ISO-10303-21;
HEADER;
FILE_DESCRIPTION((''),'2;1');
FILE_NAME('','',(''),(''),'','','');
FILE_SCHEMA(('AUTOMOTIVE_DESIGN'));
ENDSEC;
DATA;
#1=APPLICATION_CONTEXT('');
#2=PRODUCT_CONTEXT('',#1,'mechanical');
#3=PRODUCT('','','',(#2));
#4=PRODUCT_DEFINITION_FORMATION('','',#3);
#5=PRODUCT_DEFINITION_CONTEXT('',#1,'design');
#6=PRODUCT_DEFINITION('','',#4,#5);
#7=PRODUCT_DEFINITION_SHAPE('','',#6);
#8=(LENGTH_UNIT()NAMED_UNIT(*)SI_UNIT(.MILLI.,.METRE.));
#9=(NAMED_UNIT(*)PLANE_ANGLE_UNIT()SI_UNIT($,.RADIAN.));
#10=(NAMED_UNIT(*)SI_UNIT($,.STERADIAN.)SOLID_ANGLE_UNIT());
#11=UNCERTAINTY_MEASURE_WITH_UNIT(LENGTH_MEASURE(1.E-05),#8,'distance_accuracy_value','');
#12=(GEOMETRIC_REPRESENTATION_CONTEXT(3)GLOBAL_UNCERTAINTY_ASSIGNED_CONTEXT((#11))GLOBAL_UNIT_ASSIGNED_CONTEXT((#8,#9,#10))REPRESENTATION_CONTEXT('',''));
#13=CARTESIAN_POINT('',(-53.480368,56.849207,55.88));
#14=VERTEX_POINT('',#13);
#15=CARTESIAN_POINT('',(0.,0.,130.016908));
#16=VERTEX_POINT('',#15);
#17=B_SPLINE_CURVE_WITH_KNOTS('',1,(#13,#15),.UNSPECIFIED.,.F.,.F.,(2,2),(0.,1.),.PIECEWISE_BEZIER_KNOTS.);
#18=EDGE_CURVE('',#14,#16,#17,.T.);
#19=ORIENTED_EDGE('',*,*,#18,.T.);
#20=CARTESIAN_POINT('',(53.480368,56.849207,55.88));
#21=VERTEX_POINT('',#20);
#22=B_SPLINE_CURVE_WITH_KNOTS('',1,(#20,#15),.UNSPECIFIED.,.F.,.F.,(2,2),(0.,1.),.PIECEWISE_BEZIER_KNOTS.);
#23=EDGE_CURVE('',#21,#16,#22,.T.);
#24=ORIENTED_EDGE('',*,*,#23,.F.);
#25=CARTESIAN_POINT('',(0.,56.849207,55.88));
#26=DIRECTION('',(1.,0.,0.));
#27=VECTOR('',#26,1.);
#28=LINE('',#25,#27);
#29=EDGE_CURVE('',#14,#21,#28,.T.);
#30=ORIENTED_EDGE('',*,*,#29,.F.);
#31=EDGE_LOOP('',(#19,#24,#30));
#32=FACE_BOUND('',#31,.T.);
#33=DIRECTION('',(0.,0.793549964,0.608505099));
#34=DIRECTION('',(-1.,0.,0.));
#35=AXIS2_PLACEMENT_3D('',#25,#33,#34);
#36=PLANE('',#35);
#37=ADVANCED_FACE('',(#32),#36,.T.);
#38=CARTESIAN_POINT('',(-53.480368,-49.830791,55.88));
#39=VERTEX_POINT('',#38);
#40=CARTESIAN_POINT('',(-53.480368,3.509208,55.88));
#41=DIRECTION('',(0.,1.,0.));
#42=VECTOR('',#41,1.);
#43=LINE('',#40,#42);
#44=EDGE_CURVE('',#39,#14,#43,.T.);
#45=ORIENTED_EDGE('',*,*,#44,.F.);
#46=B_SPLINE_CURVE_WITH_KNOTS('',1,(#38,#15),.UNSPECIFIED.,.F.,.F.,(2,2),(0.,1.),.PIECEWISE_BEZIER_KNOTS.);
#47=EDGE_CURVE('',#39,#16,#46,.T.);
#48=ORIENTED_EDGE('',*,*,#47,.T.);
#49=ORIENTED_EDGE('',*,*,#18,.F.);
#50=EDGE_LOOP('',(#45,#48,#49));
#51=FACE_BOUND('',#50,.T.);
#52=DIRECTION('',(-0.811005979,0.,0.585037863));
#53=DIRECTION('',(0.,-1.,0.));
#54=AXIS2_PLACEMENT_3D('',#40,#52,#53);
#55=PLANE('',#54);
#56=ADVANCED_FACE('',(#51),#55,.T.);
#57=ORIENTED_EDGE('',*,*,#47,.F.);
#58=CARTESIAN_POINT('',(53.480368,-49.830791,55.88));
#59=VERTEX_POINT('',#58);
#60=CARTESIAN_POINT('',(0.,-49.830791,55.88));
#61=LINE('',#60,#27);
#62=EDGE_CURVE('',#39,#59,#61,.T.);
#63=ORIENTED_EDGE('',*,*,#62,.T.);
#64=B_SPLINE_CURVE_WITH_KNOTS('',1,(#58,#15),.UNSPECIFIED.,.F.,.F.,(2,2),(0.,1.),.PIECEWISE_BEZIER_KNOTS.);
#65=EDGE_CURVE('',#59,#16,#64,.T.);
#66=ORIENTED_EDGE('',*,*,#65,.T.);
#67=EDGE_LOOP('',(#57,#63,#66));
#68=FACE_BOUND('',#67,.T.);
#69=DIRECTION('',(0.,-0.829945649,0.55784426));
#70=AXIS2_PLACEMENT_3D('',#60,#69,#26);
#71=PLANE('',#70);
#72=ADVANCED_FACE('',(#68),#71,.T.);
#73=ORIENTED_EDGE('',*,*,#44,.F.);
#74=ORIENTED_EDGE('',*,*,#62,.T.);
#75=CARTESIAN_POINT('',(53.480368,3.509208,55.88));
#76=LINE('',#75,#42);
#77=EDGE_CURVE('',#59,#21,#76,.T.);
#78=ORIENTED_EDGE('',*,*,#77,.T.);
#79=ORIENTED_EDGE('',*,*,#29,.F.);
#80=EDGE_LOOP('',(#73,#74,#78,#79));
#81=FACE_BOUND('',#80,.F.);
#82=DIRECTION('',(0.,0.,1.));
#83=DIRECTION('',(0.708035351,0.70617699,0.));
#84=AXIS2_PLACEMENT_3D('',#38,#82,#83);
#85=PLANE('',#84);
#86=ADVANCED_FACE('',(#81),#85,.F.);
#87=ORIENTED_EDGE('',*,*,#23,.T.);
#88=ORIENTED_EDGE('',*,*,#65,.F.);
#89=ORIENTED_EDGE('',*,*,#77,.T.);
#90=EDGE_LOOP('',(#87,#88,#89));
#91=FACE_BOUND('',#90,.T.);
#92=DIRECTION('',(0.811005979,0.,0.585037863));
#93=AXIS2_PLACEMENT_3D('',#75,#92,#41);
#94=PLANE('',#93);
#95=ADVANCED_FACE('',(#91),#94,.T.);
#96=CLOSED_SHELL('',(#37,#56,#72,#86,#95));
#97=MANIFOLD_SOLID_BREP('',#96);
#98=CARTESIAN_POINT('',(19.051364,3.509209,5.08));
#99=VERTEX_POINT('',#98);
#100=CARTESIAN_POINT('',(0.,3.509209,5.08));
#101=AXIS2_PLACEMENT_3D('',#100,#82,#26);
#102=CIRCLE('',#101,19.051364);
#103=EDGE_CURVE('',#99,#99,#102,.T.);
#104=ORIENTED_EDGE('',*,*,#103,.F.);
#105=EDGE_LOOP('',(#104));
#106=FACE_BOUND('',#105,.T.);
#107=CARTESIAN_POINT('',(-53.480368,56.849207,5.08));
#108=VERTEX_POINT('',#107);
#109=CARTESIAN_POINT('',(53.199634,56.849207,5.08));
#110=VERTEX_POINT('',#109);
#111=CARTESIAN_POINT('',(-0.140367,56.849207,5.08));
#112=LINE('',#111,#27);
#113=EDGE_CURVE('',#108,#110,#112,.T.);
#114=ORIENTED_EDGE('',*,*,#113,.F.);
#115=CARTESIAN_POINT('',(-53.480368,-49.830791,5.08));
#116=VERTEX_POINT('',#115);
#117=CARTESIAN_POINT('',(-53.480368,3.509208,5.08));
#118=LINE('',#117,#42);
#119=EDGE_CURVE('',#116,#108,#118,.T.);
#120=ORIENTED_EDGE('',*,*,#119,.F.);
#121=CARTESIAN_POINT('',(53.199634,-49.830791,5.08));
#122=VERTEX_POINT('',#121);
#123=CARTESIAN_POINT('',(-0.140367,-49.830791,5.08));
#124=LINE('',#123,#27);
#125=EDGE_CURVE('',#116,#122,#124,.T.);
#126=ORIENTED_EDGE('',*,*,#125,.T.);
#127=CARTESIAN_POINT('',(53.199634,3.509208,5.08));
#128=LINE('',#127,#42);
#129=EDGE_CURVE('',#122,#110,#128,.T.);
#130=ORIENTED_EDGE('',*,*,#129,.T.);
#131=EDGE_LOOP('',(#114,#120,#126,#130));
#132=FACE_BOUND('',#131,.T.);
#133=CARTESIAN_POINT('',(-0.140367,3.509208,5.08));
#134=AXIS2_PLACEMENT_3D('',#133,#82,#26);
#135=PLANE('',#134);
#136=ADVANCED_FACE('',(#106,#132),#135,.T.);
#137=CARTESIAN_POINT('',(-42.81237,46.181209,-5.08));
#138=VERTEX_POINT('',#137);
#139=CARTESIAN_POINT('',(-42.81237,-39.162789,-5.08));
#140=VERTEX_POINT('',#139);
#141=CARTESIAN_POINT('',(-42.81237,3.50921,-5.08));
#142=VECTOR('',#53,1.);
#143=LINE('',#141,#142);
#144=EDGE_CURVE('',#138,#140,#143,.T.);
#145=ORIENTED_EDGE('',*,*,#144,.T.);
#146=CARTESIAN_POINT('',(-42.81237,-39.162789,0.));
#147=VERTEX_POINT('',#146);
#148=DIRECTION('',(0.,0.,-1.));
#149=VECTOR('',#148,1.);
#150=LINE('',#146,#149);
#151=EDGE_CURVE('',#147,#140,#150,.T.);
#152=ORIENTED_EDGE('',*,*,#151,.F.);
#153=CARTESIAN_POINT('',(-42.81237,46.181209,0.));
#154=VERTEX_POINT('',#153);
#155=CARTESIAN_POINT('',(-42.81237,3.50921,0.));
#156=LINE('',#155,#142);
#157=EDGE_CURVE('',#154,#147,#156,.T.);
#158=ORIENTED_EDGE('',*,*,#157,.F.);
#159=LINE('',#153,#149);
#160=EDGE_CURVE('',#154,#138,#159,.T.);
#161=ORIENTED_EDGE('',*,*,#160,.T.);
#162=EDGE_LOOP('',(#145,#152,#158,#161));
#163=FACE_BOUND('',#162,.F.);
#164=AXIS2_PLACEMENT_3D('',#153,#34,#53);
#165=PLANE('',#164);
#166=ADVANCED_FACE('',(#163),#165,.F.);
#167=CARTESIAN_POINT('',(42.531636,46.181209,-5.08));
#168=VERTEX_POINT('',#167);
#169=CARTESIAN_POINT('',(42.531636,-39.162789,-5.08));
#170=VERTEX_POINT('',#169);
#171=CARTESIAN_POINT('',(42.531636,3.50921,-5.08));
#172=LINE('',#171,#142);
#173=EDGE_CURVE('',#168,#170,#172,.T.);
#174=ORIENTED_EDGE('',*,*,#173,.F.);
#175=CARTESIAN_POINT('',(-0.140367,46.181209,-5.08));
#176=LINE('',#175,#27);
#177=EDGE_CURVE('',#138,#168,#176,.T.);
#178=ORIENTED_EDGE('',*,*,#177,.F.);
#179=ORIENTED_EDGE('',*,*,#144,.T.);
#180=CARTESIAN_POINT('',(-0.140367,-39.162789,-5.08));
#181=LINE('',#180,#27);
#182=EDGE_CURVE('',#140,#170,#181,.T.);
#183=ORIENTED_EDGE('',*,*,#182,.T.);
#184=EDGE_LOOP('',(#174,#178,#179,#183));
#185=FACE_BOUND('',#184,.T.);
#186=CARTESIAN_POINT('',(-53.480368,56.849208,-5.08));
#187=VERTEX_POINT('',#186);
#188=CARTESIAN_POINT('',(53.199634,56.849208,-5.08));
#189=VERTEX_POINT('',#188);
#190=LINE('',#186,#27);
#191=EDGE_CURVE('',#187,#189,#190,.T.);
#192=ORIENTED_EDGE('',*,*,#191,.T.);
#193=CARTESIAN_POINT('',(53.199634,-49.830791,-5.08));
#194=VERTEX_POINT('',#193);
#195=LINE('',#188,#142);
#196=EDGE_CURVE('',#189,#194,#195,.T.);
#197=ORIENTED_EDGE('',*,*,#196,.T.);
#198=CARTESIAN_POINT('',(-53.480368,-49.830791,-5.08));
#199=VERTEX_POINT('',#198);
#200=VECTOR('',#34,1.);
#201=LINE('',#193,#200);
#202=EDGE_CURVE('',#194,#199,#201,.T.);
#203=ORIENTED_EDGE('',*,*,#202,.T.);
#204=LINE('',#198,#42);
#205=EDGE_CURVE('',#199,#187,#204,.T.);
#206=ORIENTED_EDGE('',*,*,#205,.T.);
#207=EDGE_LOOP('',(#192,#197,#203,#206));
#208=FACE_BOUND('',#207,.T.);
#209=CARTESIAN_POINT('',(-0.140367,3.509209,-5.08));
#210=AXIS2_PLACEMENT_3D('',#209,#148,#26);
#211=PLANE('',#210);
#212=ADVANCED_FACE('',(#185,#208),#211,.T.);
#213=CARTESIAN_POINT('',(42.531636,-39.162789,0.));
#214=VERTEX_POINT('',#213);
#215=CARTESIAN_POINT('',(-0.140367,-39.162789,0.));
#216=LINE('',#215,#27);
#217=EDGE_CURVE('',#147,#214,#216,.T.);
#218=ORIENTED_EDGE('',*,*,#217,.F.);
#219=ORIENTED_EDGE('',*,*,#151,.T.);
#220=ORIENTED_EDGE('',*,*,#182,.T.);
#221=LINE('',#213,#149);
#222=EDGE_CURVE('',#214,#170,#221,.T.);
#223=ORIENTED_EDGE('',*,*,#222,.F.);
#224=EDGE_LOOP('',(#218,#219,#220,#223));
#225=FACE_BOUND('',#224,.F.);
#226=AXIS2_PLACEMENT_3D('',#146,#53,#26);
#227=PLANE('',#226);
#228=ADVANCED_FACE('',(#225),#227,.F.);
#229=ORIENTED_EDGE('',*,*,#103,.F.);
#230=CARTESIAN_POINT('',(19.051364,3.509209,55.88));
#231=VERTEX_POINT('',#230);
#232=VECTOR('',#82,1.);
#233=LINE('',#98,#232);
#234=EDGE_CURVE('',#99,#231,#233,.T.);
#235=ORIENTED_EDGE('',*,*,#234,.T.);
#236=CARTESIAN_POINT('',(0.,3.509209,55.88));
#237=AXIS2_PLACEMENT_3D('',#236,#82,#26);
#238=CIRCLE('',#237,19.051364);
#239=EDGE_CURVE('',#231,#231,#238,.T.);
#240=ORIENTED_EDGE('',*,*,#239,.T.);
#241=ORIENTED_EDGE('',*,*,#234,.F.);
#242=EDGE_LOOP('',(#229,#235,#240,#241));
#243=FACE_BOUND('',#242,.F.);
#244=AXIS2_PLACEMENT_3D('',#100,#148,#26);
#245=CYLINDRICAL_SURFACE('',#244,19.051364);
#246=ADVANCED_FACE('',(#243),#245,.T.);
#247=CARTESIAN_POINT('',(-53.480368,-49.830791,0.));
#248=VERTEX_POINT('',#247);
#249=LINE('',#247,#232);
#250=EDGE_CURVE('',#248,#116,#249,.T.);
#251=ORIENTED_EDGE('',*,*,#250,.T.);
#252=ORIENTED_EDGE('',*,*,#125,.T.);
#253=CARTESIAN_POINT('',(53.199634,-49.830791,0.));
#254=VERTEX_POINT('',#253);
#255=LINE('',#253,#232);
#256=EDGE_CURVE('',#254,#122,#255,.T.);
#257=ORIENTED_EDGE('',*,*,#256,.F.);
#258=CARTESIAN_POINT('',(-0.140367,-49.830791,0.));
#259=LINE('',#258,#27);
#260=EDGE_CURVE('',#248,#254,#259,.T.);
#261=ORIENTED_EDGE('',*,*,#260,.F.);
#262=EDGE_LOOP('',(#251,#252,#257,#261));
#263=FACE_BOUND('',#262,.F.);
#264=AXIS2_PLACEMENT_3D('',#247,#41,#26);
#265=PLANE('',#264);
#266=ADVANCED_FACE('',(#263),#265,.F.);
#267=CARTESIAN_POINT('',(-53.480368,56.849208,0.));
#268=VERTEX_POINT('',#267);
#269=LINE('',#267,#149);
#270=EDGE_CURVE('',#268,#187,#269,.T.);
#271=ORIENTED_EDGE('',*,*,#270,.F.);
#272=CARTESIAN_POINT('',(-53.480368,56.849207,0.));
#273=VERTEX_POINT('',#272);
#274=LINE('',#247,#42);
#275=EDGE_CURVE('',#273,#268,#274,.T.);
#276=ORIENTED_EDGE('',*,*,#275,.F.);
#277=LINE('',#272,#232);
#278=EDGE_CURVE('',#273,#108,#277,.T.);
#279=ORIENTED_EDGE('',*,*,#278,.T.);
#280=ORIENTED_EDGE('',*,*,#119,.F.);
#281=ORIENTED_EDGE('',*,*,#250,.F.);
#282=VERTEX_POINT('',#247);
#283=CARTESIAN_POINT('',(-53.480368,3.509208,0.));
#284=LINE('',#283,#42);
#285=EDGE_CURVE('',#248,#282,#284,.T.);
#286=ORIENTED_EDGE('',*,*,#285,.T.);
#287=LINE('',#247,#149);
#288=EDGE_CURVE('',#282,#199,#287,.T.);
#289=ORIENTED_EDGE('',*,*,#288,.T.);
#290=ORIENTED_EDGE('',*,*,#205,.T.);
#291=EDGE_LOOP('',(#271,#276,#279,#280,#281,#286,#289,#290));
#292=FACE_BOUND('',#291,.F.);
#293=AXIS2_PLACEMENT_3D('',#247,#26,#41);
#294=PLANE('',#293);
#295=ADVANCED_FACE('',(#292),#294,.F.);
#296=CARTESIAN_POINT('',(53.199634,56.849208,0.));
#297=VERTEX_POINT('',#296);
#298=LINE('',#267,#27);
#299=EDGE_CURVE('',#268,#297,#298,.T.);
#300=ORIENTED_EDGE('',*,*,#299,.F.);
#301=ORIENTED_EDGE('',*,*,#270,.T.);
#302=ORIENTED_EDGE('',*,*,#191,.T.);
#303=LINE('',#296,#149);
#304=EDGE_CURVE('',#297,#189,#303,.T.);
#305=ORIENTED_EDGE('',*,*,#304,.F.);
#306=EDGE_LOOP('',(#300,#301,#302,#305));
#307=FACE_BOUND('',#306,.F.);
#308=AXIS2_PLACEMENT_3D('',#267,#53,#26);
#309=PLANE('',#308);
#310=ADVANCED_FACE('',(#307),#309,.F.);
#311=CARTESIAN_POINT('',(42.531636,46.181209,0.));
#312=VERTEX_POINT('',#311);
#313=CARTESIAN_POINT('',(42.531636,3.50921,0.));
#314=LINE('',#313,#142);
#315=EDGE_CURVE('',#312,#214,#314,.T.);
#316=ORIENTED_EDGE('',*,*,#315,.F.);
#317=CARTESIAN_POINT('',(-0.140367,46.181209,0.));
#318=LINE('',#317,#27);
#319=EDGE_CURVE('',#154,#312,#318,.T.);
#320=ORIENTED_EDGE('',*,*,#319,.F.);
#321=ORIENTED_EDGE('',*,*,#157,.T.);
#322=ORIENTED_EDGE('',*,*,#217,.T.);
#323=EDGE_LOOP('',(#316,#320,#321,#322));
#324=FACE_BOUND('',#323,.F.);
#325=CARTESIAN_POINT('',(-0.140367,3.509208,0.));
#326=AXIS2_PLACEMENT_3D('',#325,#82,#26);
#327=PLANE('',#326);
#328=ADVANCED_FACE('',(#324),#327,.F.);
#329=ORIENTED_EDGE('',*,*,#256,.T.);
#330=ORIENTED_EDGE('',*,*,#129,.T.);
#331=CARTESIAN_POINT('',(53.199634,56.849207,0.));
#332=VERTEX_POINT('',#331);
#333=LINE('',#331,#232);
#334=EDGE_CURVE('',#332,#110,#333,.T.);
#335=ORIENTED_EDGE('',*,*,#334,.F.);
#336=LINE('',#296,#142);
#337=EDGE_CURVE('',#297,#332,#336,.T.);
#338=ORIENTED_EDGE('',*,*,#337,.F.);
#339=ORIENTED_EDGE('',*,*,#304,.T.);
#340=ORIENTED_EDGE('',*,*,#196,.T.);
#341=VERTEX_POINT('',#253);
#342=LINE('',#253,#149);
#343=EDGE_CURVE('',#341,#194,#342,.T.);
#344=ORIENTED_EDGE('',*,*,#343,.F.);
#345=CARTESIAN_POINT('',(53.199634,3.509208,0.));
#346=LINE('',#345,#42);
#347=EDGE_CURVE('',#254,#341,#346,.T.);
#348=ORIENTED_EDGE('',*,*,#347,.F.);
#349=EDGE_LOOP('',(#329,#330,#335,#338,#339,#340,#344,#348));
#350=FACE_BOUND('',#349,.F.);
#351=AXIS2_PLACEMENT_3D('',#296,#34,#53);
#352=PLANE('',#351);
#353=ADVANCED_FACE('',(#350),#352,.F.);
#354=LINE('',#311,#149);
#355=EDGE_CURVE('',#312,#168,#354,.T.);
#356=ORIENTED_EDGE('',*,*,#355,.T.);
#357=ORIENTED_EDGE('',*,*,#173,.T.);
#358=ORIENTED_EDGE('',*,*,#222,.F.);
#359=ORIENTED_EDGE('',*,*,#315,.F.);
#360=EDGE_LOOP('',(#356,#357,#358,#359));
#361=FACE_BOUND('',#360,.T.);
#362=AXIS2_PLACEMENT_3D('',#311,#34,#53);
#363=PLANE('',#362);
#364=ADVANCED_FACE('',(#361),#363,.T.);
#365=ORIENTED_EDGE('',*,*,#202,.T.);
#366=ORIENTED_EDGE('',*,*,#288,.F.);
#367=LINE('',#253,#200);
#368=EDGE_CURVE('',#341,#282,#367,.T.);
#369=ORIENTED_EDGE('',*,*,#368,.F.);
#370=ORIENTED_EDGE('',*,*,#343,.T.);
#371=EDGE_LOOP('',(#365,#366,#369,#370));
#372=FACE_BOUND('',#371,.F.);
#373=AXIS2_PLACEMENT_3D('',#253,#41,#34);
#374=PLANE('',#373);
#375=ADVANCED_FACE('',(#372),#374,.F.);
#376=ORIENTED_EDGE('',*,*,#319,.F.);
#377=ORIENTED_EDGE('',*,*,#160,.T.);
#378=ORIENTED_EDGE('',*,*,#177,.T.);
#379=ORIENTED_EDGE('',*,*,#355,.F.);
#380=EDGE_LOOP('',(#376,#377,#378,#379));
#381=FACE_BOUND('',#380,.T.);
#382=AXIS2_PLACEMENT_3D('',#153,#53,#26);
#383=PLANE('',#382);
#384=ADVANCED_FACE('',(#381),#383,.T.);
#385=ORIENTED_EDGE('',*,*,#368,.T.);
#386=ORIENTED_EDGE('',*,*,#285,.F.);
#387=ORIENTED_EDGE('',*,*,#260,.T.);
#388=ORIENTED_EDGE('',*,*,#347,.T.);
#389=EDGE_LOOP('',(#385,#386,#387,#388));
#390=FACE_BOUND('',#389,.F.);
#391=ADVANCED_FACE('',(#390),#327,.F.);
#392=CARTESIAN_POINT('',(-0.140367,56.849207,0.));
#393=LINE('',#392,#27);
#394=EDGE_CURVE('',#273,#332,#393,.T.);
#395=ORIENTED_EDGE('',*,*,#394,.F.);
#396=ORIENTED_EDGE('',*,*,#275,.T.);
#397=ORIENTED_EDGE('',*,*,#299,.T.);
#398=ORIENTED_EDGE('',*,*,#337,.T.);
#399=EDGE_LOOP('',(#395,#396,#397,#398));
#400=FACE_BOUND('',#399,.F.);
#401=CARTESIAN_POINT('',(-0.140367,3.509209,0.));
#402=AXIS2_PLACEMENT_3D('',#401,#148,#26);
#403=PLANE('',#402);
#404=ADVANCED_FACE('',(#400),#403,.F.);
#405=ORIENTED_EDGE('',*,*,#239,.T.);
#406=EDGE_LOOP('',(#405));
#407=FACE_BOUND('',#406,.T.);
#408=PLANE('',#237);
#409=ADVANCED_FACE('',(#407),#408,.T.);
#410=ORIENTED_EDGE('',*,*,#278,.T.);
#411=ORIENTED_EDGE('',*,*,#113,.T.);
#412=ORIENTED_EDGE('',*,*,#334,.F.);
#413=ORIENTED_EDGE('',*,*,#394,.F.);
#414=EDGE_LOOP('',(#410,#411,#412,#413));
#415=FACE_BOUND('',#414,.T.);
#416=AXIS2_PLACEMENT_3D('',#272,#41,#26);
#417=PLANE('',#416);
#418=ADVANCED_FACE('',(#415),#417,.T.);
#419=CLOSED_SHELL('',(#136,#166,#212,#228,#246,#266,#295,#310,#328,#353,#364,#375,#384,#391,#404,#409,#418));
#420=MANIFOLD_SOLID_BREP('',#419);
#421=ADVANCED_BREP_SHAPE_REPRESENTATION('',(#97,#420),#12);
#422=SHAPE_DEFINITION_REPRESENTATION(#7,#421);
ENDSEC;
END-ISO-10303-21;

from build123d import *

# Parameters (mm, degrees)
F0_W     = 106.680002
F0_H     = 106.679999
F1_DEPTH = 5.08
F2_W     = 85.344006
F2_H     = 85.343998
F3_DEPTH = 5.08
F4_R     = 19.051364
F5_DEPTH = 50.8
F6_W     = 106.960736
F6_H     = 106.679999


with BuildPart() as f1:
    # F0 (on Top) → F1 (new body)
    with BuildSketch(Plane.XY):
        with Locations((-0.140367, 3.509208)):
            Rectangle(F0_W, F0_H)
    extrude(amount=F1_DEPTH)

    # F2 (on face) → F3 (join)
    with BuildSketch(Plane(origin=(0, 0, 0), x_dir=(1, 0, 0), z_dir=(0, 0, -1))):
        Polygon((-42.81237, 49.830791), (-53.480368, 49.830791), (-53.480368, 39.162789), (-53.480368, -46.181209), (-53.480368, -56.849208), (-42.81237, -56.849208), (42.531636, -56.849208), (53.199634, -56.849208), (53.199634, -46.181209), (53.199634, 39.162789), (53.199634, 49.830791), (42.531636, 49.830791), align=None)
        with Locations((-0.140367, -3.50921)):
            Rectangle(F2_W, F2_H, mode=Mode.SUBTRACT)
    extrude(amount=F3_DEPTH)

    # F4 (on face) → F5 (join)
    with BuildSketch(Plane.XY.offset(5.08)):
        with Locations((0, 3.509209)):
            Circle(F4_R)
    extrude(amount=F5_DEPTH)


with BuildPart() as f8:
    # F6 (on face) → F8 section 0
    with BuildSketch(Plane.XY.offset(55.88), mode=Mode.PRIVATE) as f8_s0:
        with Locations((0, 3.509208)):
            Rectangle(F6_W, F6_H)
    loft([f8_s0.sketch, Vertex(0, 0, 130.016908)])


solid = Compound([f1.part, f8.part])
